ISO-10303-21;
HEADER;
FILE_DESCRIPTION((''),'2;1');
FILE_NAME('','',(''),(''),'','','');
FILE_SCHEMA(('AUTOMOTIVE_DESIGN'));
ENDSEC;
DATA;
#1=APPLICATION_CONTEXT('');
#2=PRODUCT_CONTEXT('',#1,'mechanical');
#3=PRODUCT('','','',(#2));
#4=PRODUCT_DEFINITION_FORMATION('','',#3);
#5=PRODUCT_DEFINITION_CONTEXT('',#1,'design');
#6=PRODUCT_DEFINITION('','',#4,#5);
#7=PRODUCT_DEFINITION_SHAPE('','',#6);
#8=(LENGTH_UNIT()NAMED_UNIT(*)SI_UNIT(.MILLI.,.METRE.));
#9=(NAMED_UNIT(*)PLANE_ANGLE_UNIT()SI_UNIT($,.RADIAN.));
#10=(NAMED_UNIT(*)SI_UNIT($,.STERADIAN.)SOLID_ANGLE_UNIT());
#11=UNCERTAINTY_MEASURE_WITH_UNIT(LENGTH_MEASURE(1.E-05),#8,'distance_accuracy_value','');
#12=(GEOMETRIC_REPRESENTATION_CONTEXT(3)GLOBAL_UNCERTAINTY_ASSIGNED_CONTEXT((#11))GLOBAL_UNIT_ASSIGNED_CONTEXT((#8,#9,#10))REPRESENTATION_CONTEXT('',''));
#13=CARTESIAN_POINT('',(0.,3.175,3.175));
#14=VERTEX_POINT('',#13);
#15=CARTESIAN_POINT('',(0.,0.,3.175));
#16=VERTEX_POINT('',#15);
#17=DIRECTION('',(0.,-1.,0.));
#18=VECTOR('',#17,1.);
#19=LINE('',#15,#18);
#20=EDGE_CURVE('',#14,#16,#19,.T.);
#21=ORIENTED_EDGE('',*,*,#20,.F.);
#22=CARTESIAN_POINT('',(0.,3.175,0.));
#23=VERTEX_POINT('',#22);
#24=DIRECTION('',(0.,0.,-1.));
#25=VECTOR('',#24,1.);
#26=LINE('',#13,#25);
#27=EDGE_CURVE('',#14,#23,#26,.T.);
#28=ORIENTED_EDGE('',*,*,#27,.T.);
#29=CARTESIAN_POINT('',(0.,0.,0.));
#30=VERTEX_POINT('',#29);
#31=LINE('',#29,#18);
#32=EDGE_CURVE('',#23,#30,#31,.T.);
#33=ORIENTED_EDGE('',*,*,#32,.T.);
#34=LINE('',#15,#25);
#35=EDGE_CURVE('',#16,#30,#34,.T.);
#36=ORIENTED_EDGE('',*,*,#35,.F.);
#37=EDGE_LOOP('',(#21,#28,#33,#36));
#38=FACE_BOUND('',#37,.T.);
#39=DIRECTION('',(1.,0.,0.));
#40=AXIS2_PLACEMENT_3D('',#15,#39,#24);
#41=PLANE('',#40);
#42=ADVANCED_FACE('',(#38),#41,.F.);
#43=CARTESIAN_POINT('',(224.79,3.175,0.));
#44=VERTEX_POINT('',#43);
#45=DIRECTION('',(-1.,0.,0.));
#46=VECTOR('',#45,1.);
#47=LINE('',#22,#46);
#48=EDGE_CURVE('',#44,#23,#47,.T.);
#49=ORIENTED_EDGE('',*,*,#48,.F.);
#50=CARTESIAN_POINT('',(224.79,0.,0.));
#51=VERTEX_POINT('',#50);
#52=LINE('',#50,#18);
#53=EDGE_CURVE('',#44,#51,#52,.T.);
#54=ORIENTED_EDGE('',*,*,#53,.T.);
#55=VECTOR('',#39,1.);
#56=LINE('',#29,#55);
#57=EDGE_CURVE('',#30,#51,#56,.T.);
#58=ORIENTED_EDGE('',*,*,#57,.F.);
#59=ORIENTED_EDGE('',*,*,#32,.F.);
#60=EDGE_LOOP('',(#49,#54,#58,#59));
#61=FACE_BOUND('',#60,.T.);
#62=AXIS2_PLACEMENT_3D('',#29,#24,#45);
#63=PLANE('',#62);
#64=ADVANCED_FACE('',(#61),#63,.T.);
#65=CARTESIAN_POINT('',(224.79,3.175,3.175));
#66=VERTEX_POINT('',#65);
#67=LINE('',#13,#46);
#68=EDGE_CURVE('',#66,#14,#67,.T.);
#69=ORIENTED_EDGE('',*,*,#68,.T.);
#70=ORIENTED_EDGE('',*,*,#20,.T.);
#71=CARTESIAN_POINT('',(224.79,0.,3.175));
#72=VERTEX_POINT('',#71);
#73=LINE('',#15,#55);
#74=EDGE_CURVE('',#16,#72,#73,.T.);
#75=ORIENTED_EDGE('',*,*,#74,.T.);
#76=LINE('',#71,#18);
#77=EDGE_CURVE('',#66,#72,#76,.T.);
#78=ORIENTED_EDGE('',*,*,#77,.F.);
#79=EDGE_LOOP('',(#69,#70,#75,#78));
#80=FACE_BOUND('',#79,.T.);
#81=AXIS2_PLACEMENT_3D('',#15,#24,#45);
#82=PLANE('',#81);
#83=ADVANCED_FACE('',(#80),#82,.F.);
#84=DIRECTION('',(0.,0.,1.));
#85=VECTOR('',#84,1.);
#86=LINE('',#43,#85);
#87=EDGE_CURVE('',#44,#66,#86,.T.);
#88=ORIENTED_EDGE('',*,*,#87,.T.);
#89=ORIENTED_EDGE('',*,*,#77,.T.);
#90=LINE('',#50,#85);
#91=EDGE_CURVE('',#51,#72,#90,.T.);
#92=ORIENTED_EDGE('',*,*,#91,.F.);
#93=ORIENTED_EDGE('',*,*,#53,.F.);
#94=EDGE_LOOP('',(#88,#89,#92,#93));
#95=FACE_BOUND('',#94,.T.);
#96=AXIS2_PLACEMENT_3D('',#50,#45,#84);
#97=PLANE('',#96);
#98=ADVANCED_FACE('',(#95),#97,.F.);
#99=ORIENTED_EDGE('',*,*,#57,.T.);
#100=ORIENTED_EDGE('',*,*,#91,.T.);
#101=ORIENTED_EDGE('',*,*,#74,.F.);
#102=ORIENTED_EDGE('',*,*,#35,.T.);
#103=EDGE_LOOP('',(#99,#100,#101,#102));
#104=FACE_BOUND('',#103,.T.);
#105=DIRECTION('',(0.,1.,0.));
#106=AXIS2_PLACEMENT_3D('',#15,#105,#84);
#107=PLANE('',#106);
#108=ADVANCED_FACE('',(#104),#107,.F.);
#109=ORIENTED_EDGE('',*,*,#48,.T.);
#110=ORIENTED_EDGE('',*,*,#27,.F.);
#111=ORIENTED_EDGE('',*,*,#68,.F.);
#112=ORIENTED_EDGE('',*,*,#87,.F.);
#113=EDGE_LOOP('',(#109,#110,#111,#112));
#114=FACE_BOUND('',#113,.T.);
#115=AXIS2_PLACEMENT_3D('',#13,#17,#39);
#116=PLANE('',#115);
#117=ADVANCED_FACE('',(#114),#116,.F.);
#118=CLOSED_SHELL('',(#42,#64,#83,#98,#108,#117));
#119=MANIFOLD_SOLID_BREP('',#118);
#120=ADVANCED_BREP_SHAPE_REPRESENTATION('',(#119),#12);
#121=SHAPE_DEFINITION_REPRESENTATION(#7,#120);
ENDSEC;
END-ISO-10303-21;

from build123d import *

# Parameters (mm, degrees)
SKETCH1_W           = 245.11
SKETCH1_H           = 3.175
BOSS_EXTRUDE1_DEPTH = 3.175
SKETCH2_W           = 20.32
SKETCH2_H           = 3.175
CUT_EXTRUDE1_DEPTH  = 246.151123493


with BuildPart() as part:
    # Sketch1 → Boss-Extrude1 (new body)
    with BuildSketch(Plane.XY):
        with Locations((122.555, 1.5875)):
            Rectangle(SKETCH1_W, SKETCH1_H)
    extrude(amount=BOSS_EXTRUDE1_DEPTH)

    # Sketch2 → Cut-Extrude1 (cut, through all)
    with BuildSketch(Plane.XY.offset(3.175)):
        with Locations((234.95, 1.5875)):
            Rectangle(SKETCH2_W, SKETCH2_H)
    extrude(amount=-CUT_EXTRUDE1_DEPTH, mode=Mode.SUBTRACT)


solid = part.part
